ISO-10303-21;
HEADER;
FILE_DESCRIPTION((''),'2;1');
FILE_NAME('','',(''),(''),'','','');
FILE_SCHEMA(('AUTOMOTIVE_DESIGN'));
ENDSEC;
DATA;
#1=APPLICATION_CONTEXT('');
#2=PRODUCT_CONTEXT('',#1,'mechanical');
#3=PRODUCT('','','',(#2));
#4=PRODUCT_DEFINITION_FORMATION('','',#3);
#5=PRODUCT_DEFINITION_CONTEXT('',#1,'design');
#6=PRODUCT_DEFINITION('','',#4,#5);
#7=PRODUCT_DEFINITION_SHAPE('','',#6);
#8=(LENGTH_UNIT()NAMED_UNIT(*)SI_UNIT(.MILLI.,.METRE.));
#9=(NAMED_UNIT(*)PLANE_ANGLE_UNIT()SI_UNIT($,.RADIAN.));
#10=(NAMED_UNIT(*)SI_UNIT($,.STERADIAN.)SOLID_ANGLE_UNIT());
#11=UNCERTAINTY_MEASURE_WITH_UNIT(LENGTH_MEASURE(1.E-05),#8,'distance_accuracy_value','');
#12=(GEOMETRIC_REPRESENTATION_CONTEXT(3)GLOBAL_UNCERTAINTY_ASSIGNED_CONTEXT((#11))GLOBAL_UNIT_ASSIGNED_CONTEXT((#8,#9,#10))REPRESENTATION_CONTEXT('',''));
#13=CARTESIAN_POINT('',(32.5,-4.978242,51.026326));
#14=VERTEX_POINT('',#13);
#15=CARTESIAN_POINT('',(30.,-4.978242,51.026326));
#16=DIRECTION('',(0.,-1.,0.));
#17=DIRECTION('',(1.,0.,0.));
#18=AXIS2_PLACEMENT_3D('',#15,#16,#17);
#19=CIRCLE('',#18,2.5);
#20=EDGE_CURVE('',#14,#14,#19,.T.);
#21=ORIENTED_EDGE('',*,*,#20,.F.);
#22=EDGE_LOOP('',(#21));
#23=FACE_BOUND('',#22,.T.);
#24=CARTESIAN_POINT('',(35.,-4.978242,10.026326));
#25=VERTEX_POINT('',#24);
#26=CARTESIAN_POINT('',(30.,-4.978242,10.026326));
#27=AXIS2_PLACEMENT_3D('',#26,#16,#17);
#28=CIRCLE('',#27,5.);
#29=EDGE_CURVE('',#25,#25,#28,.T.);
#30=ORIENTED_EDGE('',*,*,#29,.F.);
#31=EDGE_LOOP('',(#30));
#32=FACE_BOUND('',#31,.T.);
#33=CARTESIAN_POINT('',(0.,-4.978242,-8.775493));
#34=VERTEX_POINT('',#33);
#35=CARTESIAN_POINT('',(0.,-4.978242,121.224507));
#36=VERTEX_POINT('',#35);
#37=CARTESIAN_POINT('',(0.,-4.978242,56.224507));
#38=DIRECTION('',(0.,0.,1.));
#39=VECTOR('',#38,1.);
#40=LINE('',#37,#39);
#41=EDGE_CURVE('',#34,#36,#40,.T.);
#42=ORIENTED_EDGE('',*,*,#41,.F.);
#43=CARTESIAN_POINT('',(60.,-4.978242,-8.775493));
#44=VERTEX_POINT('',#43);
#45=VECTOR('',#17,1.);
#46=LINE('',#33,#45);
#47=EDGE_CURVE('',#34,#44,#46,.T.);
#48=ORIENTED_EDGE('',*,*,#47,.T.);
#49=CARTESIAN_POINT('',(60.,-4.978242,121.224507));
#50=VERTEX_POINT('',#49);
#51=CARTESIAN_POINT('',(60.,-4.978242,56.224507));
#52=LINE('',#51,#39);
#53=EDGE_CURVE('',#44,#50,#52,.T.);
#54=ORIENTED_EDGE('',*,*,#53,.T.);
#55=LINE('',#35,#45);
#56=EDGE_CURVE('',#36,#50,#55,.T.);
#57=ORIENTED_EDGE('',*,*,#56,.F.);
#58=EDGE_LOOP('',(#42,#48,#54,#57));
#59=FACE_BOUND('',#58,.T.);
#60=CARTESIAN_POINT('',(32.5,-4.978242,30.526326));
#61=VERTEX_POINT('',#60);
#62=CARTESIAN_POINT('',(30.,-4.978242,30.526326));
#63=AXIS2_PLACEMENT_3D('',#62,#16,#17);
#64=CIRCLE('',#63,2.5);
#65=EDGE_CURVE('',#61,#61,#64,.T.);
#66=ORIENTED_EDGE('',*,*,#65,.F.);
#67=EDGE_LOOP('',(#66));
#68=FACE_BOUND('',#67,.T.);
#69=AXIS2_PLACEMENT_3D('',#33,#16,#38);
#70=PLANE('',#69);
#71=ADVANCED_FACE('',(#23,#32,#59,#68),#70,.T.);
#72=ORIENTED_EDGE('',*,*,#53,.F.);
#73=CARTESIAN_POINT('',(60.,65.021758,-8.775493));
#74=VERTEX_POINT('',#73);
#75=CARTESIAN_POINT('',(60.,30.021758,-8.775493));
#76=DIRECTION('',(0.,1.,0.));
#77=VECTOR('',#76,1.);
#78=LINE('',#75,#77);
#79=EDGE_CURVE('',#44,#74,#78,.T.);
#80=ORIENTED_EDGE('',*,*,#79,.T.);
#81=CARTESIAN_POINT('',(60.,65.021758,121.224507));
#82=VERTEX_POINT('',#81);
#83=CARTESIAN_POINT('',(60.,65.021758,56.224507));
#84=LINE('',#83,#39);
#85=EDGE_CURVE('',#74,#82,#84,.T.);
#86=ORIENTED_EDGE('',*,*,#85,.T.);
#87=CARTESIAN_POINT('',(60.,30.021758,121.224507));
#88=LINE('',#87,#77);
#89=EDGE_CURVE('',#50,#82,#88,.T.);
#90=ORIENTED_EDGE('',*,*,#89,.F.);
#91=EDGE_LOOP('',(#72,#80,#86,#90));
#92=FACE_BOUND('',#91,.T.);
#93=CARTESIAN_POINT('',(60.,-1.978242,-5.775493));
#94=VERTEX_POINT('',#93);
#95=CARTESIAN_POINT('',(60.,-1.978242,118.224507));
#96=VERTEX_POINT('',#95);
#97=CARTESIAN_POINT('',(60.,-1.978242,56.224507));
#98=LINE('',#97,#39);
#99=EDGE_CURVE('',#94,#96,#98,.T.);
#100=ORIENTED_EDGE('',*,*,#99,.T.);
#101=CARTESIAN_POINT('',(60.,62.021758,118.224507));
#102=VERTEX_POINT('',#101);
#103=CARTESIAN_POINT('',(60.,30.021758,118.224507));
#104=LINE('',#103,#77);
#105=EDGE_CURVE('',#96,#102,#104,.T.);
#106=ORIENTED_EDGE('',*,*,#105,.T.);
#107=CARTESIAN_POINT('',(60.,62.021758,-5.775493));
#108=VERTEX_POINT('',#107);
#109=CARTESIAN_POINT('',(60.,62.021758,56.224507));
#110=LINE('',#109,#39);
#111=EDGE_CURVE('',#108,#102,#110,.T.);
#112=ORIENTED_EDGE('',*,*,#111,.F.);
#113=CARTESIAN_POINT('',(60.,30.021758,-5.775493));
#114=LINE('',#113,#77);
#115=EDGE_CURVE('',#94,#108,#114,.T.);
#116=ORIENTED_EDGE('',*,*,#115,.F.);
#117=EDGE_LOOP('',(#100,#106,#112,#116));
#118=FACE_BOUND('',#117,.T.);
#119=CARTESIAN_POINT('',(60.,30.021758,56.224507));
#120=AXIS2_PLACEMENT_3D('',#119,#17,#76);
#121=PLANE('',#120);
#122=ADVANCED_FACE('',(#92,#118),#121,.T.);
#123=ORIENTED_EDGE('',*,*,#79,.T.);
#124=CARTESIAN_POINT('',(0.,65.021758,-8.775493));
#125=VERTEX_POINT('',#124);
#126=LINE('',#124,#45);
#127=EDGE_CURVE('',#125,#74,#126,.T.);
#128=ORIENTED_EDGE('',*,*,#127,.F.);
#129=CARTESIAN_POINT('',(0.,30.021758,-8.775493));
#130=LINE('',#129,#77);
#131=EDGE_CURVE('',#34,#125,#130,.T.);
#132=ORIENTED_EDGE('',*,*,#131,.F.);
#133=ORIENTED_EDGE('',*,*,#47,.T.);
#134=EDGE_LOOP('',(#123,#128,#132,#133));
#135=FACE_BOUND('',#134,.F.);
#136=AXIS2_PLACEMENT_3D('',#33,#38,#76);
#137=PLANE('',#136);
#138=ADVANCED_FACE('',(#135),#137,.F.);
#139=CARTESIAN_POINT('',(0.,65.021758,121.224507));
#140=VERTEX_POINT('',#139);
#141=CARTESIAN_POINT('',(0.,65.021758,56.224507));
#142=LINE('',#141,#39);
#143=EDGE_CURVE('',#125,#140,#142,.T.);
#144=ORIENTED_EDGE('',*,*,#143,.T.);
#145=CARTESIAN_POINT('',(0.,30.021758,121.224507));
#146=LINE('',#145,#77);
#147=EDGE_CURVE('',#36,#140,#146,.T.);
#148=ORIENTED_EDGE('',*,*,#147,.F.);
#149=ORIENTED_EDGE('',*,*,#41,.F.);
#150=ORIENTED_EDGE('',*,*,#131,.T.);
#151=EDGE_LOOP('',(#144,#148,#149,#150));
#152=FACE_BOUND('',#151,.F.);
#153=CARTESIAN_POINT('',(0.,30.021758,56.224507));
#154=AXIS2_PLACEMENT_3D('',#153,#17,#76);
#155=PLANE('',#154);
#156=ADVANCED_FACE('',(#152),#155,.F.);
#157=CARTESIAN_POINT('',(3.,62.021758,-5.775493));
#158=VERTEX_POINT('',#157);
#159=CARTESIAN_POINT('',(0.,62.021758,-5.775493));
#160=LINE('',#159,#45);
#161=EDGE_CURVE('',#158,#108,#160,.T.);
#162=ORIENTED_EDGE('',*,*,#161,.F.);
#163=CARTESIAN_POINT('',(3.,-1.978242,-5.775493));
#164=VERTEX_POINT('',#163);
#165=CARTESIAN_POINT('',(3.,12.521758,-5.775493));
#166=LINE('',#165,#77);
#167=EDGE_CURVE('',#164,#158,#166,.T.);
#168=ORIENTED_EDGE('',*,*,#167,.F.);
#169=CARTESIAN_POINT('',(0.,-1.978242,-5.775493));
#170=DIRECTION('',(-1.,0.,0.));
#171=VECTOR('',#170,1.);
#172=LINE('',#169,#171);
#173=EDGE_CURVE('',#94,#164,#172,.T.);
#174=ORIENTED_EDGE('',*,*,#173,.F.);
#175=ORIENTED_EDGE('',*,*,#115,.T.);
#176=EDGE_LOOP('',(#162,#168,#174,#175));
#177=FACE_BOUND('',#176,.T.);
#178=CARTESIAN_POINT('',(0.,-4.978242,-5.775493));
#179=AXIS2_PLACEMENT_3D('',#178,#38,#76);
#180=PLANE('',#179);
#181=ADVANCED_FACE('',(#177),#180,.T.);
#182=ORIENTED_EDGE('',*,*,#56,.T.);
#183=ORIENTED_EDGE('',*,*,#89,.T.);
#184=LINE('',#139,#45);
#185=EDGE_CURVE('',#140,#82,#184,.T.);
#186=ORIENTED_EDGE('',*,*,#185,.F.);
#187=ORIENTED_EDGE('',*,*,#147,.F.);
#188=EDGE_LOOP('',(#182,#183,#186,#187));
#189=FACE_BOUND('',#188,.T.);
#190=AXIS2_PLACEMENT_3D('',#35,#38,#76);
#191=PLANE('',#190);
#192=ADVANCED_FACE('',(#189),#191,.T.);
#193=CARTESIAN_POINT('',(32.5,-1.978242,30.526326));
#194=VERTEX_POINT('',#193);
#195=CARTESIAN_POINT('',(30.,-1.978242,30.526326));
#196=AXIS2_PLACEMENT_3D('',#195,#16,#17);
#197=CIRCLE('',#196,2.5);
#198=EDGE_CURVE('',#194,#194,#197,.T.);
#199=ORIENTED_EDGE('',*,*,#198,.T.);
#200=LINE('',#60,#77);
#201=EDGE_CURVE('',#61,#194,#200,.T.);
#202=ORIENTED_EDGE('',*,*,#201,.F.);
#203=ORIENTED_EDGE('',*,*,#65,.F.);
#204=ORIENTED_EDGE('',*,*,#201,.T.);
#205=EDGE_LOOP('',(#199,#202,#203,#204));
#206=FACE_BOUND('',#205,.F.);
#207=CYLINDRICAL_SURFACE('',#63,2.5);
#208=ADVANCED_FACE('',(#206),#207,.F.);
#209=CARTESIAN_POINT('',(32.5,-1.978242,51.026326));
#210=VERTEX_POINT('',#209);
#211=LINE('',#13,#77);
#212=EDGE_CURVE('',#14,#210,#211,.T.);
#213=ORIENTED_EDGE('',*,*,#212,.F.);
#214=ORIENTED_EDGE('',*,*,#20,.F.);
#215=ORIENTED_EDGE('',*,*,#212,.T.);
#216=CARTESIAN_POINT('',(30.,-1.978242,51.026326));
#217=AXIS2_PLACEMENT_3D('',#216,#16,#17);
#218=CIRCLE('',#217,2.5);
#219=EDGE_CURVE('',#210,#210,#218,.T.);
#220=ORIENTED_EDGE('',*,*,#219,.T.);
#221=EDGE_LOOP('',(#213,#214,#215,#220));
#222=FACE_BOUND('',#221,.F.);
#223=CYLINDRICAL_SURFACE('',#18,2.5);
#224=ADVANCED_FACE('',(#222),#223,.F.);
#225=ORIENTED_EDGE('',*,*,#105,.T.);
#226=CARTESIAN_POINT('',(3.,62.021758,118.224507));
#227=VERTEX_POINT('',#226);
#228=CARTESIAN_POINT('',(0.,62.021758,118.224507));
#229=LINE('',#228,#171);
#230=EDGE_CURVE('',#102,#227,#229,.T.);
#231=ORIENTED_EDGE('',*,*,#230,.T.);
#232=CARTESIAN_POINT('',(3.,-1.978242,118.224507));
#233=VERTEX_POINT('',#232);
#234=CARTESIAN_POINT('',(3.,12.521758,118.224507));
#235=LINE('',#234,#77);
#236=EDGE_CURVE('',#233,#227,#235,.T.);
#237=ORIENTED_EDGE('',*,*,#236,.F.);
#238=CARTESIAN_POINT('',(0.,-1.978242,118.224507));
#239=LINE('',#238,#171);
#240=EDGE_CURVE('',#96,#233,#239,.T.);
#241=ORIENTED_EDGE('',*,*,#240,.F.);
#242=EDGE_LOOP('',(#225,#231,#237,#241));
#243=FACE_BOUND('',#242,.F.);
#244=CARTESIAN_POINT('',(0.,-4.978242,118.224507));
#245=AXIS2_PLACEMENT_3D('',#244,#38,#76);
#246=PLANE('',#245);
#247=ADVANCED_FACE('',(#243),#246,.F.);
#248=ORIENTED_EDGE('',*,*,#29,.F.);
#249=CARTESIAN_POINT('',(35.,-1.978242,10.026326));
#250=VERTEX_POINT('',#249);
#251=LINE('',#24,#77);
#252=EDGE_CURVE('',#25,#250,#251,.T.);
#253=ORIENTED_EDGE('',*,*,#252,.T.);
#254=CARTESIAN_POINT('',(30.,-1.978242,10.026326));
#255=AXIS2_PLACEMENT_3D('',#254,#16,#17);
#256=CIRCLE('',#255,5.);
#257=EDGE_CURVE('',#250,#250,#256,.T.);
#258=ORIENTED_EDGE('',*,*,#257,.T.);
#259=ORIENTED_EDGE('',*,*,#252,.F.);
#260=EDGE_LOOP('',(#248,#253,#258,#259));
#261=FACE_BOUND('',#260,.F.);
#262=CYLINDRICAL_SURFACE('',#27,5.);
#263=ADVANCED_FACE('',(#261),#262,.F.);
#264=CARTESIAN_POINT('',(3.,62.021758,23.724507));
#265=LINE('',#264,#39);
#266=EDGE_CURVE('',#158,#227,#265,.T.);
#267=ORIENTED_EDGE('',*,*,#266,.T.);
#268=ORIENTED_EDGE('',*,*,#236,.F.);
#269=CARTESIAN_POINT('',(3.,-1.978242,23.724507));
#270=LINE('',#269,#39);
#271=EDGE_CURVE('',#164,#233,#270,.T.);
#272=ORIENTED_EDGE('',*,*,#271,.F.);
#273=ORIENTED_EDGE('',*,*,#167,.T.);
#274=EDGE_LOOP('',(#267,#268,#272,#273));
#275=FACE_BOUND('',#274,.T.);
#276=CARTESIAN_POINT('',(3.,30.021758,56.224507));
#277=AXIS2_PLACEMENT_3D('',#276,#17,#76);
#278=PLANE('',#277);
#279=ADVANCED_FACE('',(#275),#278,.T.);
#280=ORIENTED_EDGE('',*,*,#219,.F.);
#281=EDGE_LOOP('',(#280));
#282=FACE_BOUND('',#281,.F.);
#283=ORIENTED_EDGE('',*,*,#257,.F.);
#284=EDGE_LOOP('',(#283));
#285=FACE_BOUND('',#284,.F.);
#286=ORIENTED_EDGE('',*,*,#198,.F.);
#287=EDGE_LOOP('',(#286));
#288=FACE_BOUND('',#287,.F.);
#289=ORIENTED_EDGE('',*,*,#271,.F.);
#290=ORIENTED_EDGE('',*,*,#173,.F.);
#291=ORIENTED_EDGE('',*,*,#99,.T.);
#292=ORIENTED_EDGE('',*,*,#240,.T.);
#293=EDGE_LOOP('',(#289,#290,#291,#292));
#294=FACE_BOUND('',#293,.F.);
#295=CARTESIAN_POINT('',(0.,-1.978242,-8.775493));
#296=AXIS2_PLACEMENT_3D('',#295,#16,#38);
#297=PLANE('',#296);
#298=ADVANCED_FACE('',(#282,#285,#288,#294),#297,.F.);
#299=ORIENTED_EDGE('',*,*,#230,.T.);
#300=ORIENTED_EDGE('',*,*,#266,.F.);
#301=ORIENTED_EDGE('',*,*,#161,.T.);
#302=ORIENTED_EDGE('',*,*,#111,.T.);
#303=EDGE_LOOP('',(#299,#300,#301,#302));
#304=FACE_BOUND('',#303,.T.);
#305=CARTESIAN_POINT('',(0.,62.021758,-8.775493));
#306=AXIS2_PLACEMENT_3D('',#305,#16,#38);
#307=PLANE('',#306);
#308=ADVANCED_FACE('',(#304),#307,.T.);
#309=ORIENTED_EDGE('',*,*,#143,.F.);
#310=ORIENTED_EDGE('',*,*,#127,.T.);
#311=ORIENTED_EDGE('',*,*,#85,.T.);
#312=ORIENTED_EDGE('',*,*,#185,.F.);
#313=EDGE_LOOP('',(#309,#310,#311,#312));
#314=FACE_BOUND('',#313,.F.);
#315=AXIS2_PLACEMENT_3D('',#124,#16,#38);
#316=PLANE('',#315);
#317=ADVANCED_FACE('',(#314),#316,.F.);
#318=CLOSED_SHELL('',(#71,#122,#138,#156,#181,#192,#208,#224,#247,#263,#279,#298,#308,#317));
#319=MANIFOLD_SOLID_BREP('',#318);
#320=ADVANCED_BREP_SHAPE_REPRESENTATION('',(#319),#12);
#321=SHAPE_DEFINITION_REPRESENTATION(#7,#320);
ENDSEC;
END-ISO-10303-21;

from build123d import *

# Parameters (mm, degrees)
F0_W     = 70
F0_H     = 130
F1_DEPTH = 60
F2_T     = -3
F3_R     = 5
F3_R_2   = 2.5
F4_DEPTH = 3


with BuildPart() as f1:
    # F0 (on Right) → F1 (new body)
    with BuildSketch(Plane.YZ):
        with Locations((30.021758, 56.224507)):
            Rectangle(F0_W, F0_H)
    extrude(amount=F1_DEPTH)

    # F2
    f2_openings = [f1.faces().sort_by_distance(p)[0] for p in [
        (60, 30.021758, 56.224507),
    ]]
    offset(amount=F2_T, openings=f2_openings)

    # F3 (on face) → F4 (cut, through all)
    with BuildSketch(Plane.XZ.offset(4.978242)):
        with Locations((30, 10.026326)):
            Circle(F3_R)
        with Locations((30, 30.526326)):
            Circle(F3_R_2)
        with Locations((30, 51.026326)):
            Circle(F3_R_2)
    extrude(amount=-F4_DEPTH, mode=Mode.SUBTRACT)


solid = f1.part
